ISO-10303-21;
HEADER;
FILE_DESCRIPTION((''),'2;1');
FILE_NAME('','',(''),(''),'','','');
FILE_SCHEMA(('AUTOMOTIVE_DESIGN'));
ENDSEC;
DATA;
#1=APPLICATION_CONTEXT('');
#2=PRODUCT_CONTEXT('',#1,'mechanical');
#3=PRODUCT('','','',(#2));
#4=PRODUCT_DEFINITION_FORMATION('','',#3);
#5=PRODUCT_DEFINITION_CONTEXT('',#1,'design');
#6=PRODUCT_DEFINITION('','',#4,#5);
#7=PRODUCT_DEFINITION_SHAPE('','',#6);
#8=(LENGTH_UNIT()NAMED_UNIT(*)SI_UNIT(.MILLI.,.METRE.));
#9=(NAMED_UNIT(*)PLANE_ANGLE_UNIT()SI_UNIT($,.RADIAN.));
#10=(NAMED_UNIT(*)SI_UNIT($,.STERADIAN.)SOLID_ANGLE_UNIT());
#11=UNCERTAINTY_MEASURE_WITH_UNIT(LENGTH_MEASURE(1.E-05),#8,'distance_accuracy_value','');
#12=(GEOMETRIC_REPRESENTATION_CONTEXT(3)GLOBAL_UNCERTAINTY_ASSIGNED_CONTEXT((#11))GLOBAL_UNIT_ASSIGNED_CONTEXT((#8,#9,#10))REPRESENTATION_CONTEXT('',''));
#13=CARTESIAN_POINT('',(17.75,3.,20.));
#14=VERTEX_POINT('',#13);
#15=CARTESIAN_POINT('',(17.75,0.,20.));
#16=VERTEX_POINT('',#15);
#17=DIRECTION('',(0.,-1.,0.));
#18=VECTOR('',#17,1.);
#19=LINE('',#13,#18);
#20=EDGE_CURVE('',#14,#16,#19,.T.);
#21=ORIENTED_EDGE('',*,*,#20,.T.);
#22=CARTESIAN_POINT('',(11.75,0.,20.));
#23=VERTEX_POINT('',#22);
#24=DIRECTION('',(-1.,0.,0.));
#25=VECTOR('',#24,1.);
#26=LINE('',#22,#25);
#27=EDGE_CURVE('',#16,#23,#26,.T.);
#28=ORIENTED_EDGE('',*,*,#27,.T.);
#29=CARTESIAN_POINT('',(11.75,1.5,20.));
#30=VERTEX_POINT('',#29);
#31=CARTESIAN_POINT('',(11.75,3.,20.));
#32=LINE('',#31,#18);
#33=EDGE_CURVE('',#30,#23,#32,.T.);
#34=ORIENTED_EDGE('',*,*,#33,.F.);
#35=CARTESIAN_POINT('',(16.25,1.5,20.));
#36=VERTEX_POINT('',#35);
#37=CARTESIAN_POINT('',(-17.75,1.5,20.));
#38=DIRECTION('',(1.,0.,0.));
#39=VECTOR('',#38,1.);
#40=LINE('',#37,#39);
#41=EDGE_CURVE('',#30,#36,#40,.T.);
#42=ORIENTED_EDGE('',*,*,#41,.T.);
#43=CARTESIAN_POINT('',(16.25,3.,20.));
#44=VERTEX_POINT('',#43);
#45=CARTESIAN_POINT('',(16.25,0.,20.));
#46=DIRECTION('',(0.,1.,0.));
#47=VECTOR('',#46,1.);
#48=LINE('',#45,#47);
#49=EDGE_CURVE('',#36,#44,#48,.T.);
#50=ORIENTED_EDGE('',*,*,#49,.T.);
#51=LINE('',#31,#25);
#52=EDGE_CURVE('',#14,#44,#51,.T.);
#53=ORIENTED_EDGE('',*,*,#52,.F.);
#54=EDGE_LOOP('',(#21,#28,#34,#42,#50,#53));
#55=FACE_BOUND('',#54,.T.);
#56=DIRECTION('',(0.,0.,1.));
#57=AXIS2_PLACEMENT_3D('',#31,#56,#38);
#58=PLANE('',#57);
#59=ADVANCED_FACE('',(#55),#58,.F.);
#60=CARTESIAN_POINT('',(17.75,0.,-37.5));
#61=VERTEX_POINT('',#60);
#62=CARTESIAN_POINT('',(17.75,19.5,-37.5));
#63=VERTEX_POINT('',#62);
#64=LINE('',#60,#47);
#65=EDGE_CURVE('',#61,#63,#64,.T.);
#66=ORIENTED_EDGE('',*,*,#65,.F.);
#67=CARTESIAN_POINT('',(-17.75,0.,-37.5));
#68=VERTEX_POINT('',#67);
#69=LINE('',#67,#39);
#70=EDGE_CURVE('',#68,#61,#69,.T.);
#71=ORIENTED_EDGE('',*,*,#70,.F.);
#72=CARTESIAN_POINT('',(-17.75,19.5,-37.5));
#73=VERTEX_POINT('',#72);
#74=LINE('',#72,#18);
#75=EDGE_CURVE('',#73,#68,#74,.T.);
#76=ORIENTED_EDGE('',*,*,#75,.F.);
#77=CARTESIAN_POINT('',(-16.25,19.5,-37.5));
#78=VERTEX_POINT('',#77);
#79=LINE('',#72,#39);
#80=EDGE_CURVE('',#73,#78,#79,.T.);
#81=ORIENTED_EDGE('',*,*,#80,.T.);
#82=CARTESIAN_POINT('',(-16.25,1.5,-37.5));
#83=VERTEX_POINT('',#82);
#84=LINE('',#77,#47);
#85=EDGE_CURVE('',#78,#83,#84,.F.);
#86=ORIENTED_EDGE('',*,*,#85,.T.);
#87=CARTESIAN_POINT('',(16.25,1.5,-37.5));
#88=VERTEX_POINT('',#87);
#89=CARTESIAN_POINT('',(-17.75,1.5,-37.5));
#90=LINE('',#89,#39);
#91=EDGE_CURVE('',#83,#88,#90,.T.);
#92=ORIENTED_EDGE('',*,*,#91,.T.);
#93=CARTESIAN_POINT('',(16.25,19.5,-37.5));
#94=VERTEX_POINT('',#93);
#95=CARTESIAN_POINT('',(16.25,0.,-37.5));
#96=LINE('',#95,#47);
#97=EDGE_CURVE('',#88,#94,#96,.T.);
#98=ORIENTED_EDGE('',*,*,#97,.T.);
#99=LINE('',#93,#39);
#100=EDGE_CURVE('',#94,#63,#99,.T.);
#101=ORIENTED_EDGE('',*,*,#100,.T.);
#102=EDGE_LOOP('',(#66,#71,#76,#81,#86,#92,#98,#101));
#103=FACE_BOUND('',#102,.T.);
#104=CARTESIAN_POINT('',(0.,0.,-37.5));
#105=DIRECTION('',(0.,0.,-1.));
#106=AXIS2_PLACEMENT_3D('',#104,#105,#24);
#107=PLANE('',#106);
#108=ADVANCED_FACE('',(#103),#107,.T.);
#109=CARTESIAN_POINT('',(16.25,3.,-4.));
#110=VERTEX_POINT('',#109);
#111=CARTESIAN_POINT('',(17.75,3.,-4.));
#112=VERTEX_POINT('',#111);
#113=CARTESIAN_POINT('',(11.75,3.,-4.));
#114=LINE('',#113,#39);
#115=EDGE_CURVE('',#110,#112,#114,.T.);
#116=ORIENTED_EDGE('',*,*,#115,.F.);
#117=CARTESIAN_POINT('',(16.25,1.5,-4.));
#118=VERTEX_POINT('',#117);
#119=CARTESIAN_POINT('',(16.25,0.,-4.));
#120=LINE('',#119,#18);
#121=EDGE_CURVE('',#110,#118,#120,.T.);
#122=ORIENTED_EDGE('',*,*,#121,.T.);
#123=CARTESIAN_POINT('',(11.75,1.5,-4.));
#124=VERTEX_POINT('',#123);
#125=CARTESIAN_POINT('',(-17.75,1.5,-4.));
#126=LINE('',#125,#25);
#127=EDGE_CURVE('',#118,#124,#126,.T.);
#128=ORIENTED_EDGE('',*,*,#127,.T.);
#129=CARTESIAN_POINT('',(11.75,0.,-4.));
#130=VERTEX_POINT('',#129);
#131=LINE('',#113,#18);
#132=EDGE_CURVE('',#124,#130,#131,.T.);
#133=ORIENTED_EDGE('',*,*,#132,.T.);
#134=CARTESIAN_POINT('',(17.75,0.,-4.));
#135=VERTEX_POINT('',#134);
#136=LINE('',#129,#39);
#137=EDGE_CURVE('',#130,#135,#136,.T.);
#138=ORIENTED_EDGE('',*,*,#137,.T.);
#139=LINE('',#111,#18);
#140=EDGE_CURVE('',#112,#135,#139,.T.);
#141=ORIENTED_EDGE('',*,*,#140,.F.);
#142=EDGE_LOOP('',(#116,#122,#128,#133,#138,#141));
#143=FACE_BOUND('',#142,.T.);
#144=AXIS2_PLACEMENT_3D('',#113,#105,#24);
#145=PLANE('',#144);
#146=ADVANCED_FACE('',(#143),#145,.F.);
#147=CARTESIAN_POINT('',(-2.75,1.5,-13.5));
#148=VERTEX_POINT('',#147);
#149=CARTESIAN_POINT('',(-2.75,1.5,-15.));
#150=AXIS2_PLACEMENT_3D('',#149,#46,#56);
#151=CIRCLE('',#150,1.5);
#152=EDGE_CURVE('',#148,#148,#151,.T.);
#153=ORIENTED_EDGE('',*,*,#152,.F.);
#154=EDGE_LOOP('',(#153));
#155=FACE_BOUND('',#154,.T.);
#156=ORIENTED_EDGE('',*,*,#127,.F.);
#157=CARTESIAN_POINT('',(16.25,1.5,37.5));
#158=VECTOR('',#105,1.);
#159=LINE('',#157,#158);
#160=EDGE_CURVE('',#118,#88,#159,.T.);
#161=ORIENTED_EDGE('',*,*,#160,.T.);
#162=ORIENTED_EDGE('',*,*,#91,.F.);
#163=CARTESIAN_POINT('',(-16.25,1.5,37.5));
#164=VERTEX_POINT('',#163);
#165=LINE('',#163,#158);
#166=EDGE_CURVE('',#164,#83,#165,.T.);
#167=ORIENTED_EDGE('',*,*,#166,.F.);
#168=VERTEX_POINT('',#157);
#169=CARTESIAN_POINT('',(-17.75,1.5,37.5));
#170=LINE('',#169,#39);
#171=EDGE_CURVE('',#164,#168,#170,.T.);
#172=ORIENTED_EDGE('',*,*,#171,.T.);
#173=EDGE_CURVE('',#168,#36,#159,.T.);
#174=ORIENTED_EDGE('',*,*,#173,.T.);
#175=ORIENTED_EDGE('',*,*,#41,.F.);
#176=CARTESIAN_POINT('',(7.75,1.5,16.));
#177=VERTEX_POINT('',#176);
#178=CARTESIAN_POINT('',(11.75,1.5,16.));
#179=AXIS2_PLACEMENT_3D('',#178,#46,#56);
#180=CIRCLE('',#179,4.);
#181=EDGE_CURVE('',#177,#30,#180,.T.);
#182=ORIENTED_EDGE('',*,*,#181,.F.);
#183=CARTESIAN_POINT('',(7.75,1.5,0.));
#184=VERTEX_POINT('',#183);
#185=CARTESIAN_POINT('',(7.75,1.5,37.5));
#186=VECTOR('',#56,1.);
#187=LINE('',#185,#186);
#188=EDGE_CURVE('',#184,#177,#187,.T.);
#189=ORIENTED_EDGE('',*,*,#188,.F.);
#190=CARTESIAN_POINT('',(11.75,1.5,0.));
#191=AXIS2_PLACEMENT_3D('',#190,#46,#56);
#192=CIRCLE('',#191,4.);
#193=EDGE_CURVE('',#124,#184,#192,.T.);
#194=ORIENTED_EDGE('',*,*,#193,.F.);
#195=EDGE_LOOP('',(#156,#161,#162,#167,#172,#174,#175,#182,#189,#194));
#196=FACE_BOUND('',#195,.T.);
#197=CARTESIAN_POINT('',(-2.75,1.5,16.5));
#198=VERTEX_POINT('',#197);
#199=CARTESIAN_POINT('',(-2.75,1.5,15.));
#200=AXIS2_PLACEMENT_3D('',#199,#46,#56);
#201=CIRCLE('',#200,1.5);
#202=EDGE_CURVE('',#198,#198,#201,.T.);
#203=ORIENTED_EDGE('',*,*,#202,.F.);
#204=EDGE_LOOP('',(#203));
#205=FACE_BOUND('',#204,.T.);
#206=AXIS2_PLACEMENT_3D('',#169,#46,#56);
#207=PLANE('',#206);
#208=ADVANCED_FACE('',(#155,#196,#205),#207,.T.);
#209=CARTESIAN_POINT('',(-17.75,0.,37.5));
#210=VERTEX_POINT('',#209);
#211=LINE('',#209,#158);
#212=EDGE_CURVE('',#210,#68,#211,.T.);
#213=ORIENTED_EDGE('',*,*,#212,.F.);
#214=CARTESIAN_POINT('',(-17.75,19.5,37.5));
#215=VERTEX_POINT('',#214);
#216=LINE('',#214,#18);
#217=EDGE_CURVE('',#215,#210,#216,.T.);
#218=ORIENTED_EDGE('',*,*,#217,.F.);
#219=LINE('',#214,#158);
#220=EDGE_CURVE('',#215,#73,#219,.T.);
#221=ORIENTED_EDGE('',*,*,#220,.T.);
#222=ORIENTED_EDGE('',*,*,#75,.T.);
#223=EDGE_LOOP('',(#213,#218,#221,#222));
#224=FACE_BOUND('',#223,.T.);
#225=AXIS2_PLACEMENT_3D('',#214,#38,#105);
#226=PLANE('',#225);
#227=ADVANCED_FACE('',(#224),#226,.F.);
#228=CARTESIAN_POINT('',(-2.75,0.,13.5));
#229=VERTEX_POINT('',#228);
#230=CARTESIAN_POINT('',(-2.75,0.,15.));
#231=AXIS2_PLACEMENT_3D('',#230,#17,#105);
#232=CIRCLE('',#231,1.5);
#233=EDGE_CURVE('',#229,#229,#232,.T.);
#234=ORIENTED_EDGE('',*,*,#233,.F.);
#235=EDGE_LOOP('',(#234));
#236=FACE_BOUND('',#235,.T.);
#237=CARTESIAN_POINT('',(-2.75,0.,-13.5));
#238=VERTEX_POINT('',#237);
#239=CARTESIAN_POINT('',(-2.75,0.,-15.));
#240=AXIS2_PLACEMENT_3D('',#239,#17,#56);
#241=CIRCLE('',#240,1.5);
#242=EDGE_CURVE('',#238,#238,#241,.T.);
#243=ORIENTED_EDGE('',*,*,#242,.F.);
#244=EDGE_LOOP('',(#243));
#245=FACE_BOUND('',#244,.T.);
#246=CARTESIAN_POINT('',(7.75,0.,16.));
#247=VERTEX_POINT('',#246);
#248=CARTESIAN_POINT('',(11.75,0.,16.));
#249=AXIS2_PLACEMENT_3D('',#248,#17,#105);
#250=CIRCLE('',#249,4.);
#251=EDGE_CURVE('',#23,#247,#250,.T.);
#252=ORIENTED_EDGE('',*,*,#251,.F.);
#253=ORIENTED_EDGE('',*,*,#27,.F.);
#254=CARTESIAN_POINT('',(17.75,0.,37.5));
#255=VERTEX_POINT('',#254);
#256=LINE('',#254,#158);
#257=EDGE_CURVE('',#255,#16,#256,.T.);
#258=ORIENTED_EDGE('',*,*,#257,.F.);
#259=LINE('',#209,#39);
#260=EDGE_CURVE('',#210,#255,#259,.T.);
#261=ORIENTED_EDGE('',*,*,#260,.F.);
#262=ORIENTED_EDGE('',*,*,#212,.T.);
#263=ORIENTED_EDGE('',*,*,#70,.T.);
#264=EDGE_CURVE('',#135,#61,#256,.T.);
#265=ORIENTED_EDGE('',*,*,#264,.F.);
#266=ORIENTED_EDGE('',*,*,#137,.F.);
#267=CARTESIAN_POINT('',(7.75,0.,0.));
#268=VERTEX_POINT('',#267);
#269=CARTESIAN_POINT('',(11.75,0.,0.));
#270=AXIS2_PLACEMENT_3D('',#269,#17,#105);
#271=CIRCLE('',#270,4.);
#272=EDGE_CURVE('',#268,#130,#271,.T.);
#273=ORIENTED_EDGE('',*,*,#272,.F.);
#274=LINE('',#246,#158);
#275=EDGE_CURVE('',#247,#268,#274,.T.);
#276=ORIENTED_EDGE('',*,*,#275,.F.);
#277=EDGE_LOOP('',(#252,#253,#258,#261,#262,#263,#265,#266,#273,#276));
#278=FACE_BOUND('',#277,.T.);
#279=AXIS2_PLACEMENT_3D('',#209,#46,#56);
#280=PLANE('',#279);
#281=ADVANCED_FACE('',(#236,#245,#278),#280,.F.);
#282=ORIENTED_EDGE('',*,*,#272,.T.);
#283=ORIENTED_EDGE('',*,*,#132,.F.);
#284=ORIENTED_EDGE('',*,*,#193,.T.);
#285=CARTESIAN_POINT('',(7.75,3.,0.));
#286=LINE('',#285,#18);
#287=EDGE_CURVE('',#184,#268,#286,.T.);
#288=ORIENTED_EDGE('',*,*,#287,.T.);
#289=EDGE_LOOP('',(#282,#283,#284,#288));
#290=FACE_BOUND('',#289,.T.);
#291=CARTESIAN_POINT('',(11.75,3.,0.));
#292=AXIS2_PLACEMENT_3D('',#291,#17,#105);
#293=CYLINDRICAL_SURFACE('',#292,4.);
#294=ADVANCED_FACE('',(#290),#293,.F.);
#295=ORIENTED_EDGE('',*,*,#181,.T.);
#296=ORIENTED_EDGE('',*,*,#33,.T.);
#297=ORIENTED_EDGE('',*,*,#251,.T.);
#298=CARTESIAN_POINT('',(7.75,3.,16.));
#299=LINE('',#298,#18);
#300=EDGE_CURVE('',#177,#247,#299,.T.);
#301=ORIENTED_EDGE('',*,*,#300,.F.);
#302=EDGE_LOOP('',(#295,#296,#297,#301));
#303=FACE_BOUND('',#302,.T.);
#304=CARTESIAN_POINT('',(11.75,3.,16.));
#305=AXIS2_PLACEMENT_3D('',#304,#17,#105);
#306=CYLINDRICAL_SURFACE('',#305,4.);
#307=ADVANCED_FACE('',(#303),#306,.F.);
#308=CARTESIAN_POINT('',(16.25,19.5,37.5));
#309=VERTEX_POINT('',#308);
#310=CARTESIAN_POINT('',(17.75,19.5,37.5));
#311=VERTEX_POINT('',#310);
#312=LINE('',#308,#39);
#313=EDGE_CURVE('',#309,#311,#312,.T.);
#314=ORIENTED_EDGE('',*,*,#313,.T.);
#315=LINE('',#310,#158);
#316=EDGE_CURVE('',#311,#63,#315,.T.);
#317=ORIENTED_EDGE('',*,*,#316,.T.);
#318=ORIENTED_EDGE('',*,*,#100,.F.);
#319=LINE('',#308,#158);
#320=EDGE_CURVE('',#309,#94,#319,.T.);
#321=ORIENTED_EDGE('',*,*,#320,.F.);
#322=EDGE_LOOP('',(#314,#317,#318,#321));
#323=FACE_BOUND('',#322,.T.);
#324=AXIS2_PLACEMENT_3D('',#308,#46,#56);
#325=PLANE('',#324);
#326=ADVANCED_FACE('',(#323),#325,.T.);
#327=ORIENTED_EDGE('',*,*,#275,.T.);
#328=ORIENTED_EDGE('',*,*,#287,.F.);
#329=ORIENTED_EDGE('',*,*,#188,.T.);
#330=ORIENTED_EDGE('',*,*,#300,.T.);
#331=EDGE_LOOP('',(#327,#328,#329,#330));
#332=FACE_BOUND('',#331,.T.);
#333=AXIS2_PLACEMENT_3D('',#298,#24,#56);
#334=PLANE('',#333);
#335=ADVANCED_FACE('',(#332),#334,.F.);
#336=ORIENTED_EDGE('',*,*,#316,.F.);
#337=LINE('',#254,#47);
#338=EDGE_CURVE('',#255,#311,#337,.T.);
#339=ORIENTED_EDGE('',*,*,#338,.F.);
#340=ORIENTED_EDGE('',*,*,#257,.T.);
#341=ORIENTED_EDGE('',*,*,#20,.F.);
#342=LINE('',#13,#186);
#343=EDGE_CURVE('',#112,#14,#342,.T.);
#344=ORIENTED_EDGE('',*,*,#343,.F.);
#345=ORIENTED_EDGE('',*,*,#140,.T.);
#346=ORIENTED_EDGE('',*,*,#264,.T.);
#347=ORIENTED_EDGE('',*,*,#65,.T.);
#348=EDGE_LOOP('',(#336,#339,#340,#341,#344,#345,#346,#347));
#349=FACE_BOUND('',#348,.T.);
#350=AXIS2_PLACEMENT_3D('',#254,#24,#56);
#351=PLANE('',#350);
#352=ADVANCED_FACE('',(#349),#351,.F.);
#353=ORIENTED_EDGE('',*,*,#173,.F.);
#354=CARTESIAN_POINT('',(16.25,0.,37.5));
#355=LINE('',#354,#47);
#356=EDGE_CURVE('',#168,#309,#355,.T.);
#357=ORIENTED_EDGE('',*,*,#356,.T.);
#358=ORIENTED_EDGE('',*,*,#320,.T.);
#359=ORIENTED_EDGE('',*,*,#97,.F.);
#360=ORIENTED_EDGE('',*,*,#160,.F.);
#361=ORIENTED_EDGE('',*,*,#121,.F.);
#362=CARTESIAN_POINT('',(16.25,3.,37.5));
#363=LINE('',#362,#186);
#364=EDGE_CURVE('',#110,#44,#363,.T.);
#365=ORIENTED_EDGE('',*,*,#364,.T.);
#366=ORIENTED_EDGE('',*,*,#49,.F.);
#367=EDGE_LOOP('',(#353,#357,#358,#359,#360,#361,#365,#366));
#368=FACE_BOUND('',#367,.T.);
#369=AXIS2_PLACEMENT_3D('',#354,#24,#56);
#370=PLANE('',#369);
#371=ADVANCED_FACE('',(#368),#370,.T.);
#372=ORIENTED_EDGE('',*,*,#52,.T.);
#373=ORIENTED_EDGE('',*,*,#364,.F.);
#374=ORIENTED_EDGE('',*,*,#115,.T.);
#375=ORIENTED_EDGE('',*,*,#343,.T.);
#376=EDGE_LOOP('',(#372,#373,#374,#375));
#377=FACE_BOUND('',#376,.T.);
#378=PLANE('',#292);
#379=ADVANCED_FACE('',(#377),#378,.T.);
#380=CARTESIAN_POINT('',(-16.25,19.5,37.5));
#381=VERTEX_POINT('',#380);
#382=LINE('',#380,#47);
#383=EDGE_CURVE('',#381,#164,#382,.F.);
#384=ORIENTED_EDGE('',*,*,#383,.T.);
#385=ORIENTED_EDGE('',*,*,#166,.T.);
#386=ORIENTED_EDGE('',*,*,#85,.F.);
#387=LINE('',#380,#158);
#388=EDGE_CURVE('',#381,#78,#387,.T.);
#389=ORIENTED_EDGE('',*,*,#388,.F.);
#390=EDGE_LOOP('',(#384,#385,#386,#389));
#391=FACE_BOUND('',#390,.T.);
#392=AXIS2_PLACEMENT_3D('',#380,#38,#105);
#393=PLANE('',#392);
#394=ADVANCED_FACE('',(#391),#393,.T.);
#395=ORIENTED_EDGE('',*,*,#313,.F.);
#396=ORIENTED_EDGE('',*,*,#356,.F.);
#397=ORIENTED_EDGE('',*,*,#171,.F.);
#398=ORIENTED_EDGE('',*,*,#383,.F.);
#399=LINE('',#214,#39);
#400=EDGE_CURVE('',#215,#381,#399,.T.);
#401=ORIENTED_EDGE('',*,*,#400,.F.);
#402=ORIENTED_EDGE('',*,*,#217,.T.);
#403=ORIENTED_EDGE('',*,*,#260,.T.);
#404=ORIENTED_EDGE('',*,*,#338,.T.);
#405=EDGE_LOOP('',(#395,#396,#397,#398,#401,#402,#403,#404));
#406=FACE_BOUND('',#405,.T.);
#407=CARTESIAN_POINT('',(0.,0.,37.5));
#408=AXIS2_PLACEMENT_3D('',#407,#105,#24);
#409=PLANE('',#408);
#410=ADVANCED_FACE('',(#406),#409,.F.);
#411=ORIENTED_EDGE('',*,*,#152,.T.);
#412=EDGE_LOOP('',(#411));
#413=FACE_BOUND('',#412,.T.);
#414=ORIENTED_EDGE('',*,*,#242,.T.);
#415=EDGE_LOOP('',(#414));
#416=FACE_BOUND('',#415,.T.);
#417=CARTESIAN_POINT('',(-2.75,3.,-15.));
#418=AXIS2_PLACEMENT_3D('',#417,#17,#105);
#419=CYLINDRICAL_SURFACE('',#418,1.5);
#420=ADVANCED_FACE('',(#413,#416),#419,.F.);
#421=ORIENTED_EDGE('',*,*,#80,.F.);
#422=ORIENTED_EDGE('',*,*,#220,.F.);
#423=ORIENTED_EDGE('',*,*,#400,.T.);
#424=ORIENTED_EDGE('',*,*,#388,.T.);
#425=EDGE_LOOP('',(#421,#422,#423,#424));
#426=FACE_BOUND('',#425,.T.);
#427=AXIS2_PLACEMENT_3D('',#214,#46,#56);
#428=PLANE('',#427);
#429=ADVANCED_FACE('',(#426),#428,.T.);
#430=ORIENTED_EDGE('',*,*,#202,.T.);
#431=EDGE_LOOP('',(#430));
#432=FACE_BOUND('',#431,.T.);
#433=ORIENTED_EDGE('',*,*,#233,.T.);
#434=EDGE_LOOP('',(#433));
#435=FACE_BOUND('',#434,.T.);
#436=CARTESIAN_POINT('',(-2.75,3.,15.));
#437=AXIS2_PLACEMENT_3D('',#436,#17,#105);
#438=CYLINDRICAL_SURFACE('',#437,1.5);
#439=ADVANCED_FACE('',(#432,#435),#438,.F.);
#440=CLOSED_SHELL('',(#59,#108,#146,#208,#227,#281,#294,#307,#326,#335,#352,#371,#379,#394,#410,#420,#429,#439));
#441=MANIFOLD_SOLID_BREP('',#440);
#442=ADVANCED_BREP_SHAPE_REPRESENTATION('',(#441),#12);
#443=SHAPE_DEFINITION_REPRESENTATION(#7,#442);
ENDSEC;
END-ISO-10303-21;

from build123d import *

# Parameters (mm, degrees)
EXTRU_MINCE1_DEPTH      = 37.5
ESQUISSE2_R             = 1.5
ENL_V_MAT_EXTRU_1_DEPTH = 3


with BuildPart() as part:
    # Esquisse1 → Extru.-Mince1 (new, symmetric)
    with BuildSketch(Plane.XY):
        Polygon((-17.75, 19.5), (-17.75, 0), (17.75, 0), (17.75, 19.5), (16.25, 19.5), (16.25, 1.5), (-16.25, 1.5), (-16.25, 19.5), align=None)
    extrude(amount=EXTRU_MINCE1_DEPTH, both=True)

    # Esquisse2 → Enlèv. mat.-Extru.1 (cut)
    with BuildSketch(Plane.XZ):
        with Locations(Location((-2.75, 15, 0), (0, 0, 270))):
            Circle(ESQUISSE2_R)
        with Locations(Location((-2.75, -15, 0), (0, 0, 90))):
            Circle(ESQUISSE2_R)
        with BuildLine():
            Line((11.75, 20), (17.75, 20))
            Line((17.75, 20), (17.75, -4))
            Line((17.75, -4), (11.75, -4))
            ThreePointArc((11.75, -4), (8.921572875, -2.828427125), (7.75, 0))
            Line((7.75, 0), (7.75, 16))
            ThreePointArc((7.75, 16), (8.921572875, 18.828427125), (11.75, 20))
        make_face()
    extrude(amount=-ENL_V_MAT_EXTRU_1_DEPTH, mode=Mode.SUBTRACT)


solid = part.part
